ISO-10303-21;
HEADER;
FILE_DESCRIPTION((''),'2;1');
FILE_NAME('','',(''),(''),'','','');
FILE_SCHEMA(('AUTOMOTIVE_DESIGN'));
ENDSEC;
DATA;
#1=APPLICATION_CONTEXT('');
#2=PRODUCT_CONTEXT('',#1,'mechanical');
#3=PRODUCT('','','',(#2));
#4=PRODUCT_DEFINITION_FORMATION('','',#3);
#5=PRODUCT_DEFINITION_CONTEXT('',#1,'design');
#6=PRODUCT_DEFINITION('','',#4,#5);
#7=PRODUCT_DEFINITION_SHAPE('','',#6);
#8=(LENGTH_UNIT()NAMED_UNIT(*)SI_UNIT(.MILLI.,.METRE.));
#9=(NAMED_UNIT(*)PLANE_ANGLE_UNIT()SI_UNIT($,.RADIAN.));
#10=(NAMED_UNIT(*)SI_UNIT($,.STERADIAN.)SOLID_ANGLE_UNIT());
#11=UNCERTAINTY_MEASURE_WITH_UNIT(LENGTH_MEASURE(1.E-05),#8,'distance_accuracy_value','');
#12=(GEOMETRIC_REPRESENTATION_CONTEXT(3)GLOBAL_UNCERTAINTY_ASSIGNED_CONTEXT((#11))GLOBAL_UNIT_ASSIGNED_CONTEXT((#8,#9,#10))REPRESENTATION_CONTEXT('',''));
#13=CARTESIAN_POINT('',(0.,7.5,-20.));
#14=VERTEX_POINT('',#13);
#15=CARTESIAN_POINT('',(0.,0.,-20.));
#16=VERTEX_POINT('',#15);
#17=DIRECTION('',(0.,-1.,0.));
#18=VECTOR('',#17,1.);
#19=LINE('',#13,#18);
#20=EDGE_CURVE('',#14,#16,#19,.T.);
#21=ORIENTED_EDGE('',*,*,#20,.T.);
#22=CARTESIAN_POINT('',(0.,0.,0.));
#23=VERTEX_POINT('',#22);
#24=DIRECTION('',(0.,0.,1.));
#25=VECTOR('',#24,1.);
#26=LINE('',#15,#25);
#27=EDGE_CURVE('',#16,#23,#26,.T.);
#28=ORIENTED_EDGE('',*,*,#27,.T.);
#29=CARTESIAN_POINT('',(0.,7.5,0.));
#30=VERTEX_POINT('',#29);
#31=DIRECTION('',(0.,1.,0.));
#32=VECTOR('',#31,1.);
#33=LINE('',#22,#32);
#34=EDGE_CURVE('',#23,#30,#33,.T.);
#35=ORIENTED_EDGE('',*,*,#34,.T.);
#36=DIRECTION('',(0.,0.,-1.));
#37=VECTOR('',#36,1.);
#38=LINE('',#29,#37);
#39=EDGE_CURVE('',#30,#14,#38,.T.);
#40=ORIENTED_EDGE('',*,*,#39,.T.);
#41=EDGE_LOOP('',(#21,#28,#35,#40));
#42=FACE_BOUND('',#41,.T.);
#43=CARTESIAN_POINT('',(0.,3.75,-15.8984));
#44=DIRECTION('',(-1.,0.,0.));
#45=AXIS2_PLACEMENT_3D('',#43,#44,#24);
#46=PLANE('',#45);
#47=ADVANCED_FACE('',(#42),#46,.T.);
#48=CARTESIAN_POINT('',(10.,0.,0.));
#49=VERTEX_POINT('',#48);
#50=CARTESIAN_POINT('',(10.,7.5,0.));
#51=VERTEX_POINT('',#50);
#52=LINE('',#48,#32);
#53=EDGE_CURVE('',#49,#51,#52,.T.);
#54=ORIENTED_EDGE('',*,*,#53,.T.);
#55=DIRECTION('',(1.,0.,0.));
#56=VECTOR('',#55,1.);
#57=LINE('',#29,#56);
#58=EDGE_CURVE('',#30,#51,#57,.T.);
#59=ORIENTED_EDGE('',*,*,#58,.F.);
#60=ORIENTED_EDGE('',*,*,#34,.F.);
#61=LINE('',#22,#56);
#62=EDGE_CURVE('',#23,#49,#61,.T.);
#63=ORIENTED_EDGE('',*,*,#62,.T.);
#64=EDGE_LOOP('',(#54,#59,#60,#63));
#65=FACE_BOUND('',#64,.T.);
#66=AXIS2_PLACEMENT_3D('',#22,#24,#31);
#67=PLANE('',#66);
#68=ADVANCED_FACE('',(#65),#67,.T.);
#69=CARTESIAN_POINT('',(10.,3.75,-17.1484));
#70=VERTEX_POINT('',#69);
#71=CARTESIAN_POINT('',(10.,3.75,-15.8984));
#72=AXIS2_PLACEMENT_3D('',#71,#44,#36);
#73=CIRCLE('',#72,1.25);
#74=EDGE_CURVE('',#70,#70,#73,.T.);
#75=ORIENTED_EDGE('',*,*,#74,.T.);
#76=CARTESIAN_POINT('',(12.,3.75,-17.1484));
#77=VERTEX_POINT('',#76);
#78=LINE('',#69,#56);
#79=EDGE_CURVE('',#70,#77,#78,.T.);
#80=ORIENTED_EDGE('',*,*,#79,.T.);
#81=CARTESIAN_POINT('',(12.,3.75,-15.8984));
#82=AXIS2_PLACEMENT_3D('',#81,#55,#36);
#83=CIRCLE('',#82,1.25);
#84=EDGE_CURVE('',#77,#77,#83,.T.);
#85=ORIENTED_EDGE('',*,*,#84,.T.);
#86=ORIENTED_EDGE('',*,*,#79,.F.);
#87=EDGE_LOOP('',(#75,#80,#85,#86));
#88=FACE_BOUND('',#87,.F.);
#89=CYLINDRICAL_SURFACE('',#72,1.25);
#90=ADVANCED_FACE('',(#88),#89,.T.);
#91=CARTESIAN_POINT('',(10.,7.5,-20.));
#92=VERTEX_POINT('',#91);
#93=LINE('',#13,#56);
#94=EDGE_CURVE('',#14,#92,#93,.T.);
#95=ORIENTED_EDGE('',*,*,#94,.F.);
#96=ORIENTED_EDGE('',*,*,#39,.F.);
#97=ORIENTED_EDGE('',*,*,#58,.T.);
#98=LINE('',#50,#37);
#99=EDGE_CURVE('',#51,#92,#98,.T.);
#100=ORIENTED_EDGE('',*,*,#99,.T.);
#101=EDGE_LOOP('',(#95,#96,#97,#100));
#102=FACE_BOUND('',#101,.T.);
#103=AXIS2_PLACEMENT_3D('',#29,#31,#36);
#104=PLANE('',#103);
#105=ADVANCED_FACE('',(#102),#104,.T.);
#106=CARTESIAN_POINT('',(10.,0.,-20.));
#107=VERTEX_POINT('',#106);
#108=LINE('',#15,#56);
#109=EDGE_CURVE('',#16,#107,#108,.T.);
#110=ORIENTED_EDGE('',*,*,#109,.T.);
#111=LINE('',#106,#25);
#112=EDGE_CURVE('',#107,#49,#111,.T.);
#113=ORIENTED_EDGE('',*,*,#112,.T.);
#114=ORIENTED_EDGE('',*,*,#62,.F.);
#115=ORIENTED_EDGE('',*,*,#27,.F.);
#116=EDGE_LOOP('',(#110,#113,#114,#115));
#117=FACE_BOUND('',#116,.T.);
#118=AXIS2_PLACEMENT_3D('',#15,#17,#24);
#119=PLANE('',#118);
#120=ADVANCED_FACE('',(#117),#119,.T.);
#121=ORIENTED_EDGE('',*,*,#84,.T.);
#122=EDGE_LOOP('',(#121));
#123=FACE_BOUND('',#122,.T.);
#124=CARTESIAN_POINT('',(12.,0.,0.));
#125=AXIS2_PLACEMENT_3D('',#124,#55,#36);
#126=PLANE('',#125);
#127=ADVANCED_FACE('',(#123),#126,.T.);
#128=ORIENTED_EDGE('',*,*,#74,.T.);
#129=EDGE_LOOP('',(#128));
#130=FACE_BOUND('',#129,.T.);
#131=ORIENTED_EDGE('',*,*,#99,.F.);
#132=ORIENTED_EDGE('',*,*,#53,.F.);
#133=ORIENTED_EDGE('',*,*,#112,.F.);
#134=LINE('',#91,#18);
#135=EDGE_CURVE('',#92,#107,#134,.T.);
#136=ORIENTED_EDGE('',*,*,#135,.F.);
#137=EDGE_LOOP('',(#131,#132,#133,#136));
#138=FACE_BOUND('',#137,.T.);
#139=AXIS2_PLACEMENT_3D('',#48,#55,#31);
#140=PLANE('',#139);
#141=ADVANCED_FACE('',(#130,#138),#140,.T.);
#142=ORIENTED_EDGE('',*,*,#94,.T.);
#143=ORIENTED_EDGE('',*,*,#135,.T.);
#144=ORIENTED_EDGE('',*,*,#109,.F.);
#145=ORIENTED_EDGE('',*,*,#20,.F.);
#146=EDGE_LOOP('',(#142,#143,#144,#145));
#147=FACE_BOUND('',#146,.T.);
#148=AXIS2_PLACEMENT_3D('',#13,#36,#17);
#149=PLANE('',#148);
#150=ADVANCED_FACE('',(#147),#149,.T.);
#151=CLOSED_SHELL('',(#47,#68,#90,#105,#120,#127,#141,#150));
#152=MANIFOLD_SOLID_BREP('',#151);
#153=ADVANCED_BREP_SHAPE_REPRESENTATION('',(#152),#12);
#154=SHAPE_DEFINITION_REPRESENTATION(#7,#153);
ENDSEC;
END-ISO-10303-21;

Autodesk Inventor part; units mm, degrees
ref_plane "YZ Plane" through (0, 0, 0) normal (1, 0, 0) x (0, 1, 0)
ref_plane "XZ Plane" through (0, 0, 0) normal (0, 1, 0) x (-1, 0, 0)
ref_plane "XY Plane" through (0, 0, 0) normal (0, 0, 1) x (1, 0, 0)
sketch "Sketch1" plane through (0, 0, 0) normal (1, 0, 0) x (0, 1, 0)
  line L0 (0, 0) -> (7.5, 0)
  line L1 (7.5, 0) -> (7.5, -20)
  line L2 (7.5, -20) -> (0, -20)
  line L3 (0, -20) -> (0, 0)
  circle A0 centre (3.75, -15.8984) radius 1.25
  dimension "d0" = 7.5
  dimension "d1" = 20
  dimension "d2" = 2.5
extrude "Extrusion1" add sketch "Sketch1" along normal blind 10
sketch "Sketch2" plane through (10, 0, 0) normal (1, 0, 0) x (0, 0, -1)
  line L0 (20, 7.5) -> (0, 7.5) projected
  line L1 (0, 7.5) -> (20, 7.5)
  line L2 (20, 7.5) -> (20, 0)
  line L3 (20, 0) -> (0, 0)
  line L4 (0, 0) -> (0, 7.5)
  circle A0 centre (15.8984, 3.75) radius 1.25 projected
  circle A1 centre (15.8984, 3.75) radius 1.25
sketch "Sketch3" plane through (0, 7.5, 0) normal (0, 1, 0) x (1, 0, 0)
  point P0 (0, 0)
extrude "Extrusion2" add sketch "Sketch2" along normal blind 2 contours A0
sketch "Sketch4" plane through (10, 3.75, -15.8984) normal (-1, 0, 0) x (0, 0, 1)
  circle A0 centre (0, 0) radius 1.25
  point P0 (15.8984, -3.75)
extrude "Extrusion3" add sketch "Sketch4" along normal blind 10
properties part number "servo"
